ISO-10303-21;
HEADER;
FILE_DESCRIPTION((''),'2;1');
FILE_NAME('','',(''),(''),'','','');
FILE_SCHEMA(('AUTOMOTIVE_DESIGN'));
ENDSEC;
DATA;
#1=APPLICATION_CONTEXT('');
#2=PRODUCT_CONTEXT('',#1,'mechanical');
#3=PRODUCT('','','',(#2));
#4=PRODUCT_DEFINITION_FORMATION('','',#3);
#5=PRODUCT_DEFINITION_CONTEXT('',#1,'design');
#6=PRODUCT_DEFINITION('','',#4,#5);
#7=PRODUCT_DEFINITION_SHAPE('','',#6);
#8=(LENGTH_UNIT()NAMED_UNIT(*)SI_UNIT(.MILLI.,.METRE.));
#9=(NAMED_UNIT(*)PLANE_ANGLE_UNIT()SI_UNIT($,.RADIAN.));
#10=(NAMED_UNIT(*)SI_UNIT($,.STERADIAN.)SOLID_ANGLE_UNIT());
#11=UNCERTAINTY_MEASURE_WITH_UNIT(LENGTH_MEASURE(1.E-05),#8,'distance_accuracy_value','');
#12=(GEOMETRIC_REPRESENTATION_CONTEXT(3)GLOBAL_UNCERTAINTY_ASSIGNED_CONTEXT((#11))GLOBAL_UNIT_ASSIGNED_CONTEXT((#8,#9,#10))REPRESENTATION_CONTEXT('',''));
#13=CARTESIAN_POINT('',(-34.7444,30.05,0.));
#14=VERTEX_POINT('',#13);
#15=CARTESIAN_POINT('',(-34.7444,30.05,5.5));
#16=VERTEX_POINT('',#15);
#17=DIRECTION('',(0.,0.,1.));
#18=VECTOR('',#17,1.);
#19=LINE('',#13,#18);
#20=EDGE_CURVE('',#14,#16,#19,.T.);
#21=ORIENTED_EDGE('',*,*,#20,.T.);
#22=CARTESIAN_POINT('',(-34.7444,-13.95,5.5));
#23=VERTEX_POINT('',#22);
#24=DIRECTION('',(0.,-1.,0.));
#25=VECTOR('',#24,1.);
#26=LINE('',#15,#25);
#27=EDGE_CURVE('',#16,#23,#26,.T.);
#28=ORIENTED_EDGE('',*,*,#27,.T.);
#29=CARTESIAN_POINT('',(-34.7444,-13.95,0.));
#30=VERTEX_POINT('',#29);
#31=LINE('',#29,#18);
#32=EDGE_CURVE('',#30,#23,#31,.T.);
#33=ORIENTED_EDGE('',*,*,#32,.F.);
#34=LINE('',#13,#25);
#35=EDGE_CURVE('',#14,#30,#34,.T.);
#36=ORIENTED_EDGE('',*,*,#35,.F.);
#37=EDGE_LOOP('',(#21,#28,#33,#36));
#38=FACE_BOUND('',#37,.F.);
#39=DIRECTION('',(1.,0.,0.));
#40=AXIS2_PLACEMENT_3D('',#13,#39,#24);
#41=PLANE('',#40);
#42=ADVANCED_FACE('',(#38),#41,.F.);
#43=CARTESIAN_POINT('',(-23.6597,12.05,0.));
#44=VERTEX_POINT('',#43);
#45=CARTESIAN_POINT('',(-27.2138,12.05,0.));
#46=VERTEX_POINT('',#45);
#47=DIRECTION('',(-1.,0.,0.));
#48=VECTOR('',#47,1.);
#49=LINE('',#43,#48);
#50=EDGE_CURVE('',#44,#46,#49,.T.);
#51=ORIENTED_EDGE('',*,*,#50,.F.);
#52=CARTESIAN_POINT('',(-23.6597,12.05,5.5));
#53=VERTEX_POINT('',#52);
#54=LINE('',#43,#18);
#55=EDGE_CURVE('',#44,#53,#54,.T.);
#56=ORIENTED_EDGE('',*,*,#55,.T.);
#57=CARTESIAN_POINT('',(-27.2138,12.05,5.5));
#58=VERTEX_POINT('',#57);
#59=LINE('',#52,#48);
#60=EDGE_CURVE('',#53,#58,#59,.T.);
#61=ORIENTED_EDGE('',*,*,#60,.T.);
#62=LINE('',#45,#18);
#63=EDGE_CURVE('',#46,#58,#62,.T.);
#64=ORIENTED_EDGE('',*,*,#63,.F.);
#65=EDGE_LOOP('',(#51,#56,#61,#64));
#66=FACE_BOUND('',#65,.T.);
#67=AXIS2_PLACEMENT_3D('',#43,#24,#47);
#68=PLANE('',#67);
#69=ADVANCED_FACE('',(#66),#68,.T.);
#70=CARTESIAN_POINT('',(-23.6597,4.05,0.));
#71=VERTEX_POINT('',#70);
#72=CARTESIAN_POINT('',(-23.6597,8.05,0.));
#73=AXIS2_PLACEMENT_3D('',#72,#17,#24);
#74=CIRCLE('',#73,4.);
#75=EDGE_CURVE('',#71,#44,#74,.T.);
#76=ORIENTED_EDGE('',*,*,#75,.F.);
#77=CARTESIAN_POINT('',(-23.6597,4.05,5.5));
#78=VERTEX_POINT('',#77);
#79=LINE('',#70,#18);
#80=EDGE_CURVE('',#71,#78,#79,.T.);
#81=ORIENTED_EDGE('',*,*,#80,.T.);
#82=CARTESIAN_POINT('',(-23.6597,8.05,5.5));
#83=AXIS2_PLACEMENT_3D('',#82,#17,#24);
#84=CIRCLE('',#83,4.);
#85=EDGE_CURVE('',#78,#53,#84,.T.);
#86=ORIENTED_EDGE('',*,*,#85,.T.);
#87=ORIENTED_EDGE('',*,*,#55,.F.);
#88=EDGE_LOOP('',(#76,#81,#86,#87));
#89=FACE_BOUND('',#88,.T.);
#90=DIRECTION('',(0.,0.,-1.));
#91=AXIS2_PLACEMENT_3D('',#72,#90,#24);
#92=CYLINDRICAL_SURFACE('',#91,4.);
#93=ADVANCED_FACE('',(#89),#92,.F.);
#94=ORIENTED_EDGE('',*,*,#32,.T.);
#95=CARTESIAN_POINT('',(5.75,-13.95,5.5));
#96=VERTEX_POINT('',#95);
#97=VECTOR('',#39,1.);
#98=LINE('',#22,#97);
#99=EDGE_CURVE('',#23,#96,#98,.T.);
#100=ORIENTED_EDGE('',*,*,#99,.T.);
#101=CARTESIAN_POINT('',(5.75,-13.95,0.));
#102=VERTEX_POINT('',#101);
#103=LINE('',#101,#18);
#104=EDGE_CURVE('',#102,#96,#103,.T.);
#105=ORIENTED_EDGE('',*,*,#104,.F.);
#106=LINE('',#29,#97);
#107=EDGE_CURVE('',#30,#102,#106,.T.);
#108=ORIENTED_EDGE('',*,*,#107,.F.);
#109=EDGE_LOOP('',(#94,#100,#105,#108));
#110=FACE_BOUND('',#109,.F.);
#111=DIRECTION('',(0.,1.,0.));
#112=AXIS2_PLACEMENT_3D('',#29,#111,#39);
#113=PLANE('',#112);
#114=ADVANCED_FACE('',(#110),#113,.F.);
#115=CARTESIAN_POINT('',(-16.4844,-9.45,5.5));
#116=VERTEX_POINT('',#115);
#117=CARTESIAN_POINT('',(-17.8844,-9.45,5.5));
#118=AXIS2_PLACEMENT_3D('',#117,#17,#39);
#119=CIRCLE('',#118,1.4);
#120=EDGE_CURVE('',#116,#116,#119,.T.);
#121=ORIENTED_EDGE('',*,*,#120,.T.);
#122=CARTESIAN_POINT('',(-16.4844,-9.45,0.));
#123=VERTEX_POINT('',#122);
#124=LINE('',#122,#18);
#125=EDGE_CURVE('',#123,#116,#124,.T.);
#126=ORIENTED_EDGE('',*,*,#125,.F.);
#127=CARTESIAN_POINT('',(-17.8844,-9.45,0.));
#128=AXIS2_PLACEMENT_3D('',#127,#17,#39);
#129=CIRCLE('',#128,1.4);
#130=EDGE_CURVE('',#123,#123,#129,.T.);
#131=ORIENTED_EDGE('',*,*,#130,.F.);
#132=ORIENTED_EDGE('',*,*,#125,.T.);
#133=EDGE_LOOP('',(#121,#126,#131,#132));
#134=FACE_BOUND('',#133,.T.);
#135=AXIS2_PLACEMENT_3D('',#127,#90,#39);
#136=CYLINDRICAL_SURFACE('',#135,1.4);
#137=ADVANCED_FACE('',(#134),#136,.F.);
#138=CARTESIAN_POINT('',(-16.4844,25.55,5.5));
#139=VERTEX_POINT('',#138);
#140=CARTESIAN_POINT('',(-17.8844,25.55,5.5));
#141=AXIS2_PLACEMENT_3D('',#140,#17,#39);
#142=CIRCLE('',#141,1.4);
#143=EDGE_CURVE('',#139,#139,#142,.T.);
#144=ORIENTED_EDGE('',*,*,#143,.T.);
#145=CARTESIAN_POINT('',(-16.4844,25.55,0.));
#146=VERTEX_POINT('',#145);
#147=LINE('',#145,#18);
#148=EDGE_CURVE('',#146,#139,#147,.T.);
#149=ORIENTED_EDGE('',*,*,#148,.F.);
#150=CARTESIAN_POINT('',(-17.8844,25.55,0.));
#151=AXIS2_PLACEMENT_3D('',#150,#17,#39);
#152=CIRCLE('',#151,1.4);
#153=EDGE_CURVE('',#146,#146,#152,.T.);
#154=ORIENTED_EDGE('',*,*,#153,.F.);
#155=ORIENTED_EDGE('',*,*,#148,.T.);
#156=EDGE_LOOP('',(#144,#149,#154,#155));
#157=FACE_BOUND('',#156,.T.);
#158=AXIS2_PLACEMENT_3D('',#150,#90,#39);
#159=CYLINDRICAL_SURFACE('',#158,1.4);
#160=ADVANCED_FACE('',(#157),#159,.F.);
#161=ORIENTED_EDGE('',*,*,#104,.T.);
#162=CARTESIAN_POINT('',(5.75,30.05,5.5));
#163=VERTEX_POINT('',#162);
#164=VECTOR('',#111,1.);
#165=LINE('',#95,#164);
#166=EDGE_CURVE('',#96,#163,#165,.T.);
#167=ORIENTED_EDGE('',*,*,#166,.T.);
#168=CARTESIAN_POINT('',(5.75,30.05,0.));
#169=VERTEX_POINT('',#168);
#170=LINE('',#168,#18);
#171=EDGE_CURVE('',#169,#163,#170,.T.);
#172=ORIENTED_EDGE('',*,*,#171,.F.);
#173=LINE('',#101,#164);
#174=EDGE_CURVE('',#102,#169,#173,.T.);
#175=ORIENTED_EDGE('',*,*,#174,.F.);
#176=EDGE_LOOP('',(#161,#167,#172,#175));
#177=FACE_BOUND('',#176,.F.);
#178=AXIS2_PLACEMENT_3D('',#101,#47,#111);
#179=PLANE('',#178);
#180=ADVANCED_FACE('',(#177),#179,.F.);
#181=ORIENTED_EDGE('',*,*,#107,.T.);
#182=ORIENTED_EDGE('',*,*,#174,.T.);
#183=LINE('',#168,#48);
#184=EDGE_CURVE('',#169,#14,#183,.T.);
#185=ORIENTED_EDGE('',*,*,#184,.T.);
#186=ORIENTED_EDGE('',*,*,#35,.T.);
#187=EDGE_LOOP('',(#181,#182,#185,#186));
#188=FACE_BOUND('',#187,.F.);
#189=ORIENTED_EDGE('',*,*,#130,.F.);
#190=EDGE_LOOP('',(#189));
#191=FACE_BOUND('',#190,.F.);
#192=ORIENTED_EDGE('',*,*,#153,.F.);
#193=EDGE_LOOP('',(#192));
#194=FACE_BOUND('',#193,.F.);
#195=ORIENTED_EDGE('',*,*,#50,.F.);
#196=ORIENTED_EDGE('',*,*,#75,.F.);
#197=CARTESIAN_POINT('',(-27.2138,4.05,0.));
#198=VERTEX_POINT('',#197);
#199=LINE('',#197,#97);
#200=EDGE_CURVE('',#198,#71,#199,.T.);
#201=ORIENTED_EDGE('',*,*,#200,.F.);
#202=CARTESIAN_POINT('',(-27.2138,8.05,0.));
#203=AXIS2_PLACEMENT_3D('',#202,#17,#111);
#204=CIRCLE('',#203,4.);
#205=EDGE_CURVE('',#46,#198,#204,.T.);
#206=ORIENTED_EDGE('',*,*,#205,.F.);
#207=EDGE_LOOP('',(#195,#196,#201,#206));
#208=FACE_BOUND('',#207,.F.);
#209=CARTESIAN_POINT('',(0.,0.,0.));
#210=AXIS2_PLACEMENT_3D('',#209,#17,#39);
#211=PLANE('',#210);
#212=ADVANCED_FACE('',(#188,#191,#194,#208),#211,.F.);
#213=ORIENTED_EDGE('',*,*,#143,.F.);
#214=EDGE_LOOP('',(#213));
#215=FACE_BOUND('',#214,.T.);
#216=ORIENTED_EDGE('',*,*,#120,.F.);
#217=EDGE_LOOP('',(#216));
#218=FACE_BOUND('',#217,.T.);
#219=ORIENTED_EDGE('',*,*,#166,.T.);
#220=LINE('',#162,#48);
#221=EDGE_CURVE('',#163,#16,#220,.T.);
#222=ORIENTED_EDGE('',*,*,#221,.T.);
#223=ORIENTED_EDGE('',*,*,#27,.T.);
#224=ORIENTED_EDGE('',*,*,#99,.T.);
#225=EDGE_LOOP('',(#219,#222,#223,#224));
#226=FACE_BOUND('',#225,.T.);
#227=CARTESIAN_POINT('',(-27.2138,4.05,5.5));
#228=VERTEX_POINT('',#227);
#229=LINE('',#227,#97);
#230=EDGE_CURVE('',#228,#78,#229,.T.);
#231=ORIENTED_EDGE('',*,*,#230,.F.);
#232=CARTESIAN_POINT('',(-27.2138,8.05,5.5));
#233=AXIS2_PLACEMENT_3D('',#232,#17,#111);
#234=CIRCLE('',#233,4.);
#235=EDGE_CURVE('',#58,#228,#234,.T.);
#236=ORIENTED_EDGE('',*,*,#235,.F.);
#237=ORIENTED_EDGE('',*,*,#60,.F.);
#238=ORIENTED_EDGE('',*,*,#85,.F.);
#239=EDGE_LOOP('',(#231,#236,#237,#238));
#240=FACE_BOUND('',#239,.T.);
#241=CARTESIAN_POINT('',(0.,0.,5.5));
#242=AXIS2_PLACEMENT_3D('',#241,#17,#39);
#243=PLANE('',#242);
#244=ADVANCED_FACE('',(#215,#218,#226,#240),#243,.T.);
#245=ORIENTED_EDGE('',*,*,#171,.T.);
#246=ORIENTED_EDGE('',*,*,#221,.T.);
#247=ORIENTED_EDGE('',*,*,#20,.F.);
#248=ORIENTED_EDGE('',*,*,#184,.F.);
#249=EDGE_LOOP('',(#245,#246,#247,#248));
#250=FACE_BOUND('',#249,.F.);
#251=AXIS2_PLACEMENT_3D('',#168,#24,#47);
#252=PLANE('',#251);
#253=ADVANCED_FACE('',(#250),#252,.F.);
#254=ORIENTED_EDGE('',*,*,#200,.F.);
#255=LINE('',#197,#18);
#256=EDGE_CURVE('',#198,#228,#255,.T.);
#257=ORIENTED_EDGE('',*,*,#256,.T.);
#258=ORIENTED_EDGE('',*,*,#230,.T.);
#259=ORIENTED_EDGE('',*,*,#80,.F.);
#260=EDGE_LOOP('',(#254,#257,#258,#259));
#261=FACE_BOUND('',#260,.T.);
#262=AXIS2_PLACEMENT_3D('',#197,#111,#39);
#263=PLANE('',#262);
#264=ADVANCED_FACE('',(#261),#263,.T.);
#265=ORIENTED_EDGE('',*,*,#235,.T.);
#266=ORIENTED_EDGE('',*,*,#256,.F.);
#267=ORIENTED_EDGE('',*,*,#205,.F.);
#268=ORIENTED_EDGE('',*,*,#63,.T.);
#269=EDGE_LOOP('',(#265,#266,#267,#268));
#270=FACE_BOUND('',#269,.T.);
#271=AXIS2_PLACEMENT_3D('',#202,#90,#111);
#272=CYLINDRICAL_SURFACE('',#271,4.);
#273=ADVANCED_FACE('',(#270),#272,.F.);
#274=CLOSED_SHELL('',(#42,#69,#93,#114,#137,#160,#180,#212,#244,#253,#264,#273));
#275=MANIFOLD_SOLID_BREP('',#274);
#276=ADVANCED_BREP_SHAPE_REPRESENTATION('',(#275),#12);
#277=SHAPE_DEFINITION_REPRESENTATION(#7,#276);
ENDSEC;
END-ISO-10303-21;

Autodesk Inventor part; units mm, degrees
ref_plane "YZ Plane" through (0, 0, 0) normal (1, 0, 0) x (0, 1, 0)
ref_plane "XZ Plane" through (0, 0, 0) normal (0, 1, 0) x (-1, 0, 0)
ref_plane "XY Plane" through (0, 0, 0) normal (0, 0, 1) x (1, 0, 0)
sketch "Sketch1" plane through (0, 0, 0) normal (0, 0, 1) x (1, 0, 0)
  circle A0 centre (-17.8844, -9.45) radius 1.4 construction
  line L0 (-22, -13.95) -> (-22, -7.7794) construction
  line L1 (5.75, -13.95) -> (-22, -13.95) construction
  line L2 (5.75, 0) -> (5.75, -13.95) construction
  line L3 (5.75, 0) -> (0, 0) construction
  line L4 (0, 0) -> (0, -7.7794) construction
  line L5 (-14.8242, -7.7794) -> (0, -7.7794) construction
  line L6 (-14.8242, -4.7794) -> (-14.8242, -7.7794) construction
  line L7 (-21.3713, -4.7794) -> (-14.8242, -4.7794) construction
  line L8 (-21.3713, -7.7794) -> (-21.3713, -4.7794) construction
  line L9 (-22, -7.7794) -> (-21.3713, -7.7794) construction
  circle A1 centre (-17.8844, 25.55) radius 1.4 construction
  line L10 (-22, 23.8794) -> (-22, 30.05) construction
  line L11 (-22, 23.8794) -> (-21.3713, 23.8794) construction
  line L12 (-21.3713, 20.8794) -> (-21.3713, 23.8794) construction
  line L13 (-14.8242, 20.8794) -> (-21.3713, 20.8794) construction
  line L14 (-14.8242, 23.8794) -> (-14.8242, 20.8794) construction
  line L15 (-14.8242, 23.8794) -> (0, 23.8794) construction
  line L16 (0, 16.1) -> (0, 23.8794) construction
  line L17 (5.75, 16.1) -> (0, 16.1) construction
  line L18 (5.75, 16.1) -> (5.75, 30.05) construction
  line L19 (5.75, 30.05) -> (-22, 30.05) construction
  line L20 (-23.6597, 10.55) -> (-31.2138, 10.55) construction
  arc A2 (-23.6597, 5.55) -> (-23.6597, 10.55) centre (-23.6597, 8.05) ccw construction
  line L21 (-31.2138, 5.55) -> (-23.6597, 5.55) construction
  line L22 (-31.2138, 5.55) -> (-31.2138, -1.8612) construction
  line L23 (-19.2138, -1.8612) -> (-31.2138, -1.8612) construction
  line L24 (-19.2138, 17.9612) -> (-19.2138, -1.8612) construction
  line L25 (-31.2138, 17.9612) -> (-19.2138, 17.9612) construction
  line L26 (-31.2138, 17.9612) -> (-31.2138, 10.55) construction
  line L27 (5.75, 30.05) -> (-34.7444, 30.05)
  line L28 (-34.7444, 30.05) -> (-34.7444, -13.95)
  line L29 (-34.7444, -13.95) -> (5.75, -13.95)
  line L30 (5.75, -13.95) -> (5.75, 30.05)
  circle A3 centre (-17.8844, 25.55) radius 1.4
  circle A4 centre (-17.8844, -9.45) radius 1.4
  line L31 (-23.6597, 8.05) -> (-27.2138, 8.05) construction
  line L32 (-23.6597, 12.05) -> (-27.2138, 12.05)
  line L33 (-27.2138, 4.05) -> (-23.6597, 4.05)
  arc A5 (-23.6597, 4.05) -> (-23.6597, 12.05) centre (-23.6597, 8.05) ccw
  arc A6 (-27.2138, 12.05) -> (-27.2138, 4.05) centre (-27.2138, 8.05) ccw
  point P0 (-25.4367, 8.05)
  dimension "d2" = 8
extrude "Extrusion1" add sketch "Sketch1" along normal blind 5.5
properties part number "plate"
